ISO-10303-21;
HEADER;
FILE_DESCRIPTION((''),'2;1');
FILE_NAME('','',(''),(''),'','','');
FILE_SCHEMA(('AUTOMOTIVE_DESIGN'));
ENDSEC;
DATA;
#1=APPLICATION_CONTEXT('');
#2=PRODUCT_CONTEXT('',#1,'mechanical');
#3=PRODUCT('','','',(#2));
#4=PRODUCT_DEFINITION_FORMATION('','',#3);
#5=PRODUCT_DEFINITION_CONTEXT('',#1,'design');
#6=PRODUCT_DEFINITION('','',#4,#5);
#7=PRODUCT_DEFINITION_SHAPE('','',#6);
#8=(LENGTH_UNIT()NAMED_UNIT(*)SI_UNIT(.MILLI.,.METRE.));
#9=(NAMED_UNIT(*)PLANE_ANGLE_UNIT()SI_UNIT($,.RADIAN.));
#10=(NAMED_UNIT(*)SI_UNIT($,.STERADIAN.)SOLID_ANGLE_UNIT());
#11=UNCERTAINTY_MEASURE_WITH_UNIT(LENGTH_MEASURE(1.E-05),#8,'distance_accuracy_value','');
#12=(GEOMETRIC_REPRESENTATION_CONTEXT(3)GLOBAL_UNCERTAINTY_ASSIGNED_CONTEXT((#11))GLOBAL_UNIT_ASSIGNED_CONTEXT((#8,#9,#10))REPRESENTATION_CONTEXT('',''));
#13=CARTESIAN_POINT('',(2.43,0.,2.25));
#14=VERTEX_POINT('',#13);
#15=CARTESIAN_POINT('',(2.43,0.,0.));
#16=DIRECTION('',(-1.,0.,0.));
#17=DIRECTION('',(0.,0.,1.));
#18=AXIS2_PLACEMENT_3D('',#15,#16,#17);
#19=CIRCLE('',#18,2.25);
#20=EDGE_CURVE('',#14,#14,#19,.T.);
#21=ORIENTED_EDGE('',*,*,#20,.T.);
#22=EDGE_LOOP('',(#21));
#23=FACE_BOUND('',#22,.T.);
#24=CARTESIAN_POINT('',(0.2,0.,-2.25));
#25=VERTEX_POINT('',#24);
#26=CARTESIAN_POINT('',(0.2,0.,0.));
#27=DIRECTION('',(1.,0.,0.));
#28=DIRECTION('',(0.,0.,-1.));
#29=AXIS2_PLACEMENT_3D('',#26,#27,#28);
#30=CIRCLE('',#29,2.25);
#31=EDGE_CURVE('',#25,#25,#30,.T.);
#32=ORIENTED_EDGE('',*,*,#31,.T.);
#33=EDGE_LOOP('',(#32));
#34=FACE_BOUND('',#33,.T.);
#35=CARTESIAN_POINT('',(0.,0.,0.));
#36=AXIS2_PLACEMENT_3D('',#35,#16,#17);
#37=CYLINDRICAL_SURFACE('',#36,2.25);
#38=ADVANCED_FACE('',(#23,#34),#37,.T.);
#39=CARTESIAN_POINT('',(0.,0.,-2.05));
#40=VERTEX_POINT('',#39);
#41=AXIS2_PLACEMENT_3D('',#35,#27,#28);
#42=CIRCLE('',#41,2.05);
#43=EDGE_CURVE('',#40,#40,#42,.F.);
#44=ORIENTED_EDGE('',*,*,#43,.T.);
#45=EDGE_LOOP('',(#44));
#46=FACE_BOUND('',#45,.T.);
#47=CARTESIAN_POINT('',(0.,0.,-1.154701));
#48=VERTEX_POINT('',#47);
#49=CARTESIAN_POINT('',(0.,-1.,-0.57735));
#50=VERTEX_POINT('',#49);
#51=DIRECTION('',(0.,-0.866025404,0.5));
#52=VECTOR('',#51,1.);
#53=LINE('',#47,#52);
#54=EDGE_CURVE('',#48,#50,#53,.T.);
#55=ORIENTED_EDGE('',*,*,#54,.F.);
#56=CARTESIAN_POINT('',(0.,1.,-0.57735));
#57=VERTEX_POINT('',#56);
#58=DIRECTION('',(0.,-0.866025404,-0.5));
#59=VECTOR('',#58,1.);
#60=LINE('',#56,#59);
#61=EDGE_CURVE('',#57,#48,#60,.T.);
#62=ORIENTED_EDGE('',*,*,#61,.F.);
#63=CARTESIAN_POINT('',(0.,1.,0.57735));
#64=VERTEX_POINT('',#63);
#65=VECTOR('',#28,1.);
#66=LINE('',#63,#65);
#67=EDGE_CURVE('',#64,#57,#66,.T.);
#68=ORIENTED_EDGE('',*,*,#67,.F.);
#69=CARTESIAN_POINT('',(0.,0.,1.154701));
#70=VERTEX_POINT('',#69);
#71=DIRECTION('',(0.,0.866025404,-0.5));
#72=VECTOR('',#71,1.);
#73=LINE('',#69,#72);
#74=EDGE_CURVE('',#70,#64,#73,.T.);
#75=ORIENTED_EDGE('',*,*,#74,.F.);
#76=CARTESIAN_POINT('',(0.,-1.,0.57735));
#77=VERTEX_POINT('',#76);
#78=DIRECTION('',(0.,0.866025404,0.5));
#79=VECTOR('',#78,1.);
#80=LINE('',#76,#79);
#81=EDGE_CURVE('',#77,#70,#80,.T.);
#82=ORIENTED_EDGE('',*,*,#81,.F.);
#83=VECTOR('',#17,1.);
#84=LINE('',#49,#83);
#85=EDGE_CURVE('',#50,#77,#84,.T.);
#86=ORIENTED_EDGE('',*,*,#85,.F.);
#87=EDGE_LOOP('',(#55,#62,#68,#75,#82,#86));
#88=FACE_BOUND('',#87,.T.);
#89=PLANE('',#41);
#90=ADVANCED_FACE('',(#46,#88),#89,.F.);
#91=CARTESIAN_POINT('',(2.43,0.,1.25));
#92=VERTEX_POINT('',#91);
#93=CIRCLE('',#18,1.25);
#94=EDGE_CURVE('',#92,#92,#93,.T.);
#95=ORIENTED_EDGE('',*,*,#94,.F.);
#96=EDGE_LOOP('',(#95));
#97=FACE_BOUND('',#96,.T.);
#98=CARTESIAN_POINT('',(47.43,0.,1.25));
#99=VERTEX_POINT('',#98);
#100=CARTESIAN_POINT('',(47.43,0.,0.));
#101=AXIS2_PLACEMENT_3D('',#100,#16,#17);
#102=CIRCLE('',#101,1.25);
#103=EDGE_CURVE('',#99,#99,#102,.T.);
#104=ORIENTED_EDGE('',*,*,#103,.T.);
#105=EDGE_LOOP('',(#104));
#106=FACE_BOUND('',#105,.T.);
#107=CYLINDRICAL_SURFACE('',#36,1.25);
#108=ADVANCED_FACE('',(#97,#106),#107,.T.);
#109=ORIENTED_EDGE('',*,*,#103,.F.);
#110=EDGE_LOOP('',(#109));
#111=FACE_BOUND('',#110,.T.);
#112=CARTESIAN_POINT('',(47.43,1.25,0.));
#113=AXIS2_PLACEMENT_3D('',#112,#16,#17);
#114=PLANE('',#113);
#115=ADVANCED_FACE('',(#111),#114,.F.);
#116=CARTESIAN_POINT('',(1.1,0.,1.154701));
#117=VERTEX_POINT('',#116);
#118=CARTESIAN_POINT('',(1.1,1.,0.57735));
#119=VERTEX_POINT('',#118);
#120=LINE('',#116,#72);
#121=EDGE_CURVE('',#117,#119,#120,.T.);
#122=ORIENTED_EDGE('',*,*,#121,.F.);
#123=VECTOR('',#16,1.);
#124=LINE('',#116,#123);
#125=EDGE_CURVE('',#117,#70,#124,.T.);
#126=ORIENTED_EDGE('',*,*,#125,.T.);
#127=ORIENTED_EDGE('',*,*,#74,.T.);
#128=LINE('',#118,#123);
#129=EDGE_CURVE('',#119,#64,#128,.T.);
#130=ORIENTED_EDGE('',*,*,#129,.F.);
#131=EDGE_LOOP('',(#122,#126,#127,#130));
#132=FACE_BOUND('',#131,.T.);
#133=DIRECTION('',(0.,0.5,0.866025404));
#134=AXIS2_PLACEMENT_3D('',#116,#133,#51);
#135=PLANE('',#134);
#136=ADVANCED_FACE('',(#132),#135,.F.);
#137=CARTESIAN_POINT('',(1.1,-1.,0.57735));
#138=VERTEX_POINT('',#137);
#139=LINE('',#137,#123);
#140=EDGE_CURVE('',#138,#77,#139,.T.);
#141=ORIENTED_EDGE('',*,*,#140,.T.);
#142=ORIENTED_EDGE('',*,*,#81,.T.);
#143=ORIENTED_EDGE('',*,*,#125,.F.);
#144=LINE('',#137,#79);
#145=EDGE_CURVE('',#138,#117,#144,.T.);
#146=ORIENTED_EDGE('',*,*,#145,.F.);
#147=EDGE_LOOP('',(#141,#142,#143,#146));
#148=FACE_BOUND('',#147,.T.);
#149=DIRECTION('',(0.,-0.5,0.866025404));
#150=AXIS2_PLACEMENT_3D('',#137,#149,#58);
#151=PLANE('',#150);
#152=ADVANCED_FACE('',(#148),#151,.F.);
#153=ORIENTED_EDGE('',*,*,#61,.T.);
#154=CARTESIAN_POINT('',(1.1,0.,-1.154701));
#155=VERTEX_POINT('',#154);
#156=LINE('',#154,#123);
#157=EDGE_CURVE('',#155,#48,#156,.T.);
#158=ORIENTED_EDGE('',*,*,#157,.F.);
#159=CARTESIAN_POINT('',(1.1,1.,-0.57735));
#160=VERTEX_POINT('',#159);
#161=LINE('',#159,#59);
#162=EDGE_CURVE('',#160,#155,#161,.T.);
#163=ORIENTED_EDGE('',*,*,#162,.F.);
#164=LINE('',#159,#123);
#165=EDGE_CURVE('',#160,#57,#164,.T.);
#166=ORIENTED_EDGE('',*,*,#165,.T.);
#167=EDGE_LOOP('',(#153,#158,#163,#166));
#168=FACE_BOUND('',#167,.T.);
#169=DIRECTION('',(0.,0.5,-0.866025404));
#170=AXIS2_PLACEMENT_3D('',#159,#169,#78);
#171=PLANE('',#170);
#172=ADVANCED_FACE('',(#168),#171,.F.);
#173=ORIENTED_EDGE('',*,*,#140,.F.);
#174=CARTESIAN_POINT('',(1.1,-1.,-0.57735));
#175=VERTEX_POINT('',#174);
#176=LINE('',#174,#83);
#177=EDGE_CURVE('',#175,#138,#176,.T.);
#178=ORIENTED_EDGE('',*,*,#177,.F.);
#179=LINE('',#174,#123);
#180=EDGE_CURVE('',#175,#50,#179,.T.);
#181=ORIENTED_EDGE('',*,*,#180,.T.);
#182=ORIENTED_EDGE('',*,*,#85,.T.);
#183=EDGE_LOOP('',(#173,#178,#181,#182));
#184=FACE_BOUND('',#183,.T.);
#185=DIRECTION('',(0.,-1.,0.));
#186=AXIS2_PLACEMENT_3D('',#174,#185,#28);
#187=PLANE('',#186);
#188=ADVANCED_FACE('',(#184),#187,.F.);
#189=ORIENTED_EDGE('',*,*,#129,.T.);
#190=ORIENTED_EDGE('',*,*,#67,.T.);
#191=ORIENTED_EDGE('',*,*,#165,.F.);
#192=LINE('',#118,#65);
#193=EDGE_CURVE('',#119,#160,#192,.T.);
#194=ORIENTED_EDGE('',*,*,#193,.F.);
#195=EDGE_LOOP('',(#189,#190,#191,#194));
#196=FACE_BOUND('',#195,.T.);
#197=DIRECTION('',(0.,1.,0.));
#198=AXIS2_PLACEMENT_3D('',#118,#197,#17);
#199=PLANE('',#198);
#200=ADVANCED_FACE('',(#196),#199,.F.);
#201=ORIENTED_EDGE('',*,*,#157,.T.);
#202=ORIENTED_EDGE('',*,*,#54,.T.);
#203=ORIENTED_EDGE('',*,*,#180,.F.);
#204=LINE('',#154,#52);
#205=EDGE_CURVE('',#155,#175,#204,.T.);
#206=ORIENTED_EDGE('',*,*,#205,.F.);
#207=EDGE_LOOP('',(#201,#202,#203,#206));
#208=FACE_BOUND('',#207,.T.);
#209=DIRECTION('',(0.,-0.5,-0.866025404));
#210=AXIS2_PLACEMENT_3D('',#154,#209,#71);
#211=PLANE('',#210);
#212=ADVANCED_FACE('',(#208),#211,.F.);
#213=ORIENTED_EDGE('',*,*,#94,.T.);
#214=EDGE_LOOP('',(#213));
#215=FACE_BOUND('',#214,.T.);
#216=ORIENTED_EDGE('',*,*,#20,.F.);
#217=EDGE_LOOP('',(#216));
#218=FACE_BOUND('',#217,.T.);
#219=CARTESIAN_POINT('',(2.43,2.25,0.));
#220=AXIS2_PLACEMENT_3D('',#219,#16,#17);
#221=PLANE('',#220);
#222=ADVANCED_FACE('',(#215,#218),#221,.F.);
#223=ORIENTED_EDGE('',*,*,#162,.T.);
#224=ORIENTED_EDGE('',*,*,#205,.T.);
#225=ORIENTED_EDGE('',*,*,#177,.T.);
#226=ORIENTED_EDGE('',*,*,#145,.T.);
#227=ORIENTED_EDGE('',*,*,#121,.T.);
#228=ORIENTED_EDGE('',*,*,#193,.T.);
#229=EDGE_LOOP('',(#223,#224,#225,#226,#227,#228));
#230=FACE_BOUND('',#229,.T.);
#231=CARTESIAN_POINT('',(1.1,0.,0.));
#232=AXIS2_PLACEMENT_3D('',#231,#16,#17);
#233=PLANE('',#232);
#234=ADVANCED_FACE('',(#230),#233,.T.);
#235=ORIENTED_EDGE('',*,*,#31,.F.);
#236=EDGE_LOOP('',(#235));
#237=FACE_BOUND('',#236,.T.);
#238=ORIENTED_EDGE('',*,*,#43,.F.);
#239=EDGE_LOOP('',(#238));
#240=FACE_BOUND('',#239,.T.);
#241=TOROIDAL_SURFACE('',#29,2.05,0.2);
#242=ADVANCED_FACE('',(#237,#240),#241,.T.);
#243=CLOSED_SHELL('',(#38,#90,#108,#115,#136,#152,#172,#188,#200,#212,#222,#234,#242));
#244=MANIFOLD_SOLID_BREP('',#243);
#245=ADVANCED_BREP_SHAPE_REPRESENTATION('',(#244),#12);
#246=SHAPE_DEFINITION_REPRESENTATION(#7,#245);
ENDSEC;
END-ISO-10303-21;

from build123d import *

# Parameters (mm, degrees)
CUT_EXTRUDE_1_DEPTH = 1.1
FILLET_1_R          = 0.2


with BuildPart() as part:
    # 草图1 → 旋转1 (revolve)
    with BuildSketch(Plane.XY):
        Polygon((0, 0), (0, 2.25), (2.43, 2.25), (2.43, 1.25), (47.43, 1.25), (47.43, 0), align=None)
    revolve(axis=Axis((0, 0, 0), (1, 0, 0)))

    # 草图2 → 切除-拉伸1 (cut)
    with BuildSketch(Plane.ZY):
        Polygon((-1.154700538, 0), (-0.577350269, -1), (0.577350269, -1), (1.154700538, 0), (0.577350269, 1), (-0.577350269, 1), align=None)
    extrude(amount=-CUT_EXTRUDE_1_DEPTH, mode=Mode.SUBTRACT)

    # 圆角1
    fillet_1_edges = [part.edges().sort_by_distance(p)[0] for p in [
        (0, -2.25, 0),
    ]]
    fillet(fillet_1_edges, radius=FILLET_1_R)


solid = part.part
